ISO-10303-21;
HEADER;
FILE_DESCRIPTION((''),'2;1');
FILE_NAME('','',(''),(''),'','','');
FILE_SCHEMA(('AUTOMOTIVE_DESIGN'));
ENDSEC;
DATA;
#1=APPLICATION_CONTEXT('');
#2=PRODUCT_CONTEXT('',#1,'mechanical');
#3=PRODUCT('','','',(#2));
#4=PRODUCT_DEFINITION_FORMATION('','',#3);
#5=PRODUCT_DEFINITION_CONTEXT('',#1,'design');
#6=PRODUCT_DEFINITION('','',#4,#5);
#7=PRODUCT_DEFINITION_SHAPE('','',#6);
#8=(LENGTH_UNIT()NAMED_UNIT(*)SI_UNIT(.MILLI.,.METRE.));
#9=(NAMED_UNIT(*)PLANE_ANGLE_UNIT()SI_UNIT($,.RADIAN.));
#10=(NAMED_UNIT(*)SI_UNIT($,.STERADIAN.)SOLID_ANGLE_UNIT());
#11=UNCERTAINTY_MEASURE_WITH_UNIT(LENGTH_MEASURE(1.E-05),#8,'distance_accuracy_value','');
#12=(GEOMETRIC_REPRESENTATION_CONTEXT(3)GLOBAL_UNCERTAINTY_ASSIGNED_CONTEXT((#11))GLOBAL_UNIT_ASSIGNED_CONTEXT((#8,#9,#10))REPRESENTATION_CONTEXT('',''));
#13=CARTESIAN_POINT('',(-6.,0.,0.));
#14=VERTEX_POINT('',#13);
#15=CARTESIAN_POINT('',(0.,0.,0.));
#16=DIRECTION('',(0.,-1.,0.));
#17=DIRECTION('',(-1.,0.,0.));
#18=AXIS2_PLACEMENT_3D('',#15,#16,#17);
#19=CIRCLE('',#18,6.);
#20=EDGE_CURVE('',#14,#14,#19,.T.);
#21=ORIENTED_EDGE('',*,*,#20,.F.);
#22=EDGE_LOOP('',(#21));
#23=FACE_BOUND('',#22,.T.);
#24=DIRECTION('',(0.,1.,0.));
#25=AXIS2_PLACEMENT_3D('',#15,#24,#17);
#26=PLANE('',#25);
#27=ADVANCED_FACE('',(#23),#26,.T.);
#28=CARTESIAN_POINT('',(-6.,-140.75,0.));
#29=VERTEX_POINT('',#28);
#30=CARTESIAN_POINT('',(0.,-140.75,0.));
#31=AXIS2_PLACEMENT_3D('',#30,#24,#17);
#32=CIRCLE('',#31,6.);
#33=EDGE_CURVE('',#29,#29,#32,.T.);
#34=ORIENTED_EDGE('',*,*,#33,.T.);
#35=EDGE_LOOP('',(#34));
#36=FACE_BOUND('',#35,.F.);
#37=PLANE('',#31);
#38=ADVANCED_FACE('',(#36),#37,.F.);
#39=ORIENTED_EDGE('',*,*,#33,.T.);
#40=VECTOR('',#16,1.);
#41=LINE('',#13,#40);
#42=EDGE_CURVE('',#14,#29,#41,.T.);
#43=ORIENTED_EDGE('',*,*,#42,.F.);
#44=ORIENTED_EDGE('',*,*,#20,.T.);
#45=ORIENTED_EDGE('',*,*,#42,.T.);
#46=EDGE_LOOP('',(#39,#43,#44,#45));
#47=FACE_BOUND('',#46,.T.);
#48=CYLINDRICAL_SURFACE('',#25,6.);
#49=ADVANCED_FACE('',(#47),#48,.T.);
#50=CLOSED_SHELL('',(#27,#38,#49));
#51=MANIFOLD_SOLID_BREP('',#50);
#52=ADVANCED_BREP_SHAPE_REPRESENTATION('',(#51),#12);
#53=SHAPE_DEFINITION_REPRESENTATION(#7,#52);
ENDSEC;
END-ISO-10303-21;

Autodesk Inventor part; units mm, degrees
ref_plane "YZ Plane" through (0, 0, 0) normal (1, 0, 0) x (0, 1, 0)
ref_plane "XZ Plane" through (0, 0, 0) normal (0, 1, 0) x (-1, 0, 0)
ref_plane "XY Plane" through (0, 0, 0) normal (0, 0, 1) x (1, 0, 0)
sketch "Esquisse1" plane through (0, 0, 0) normal (0, 1, 0) x (-1, 0, 0)
  line L0 (0, -8.4) -> (0, 8.4) projected
  line L1 (8.4, 0) -> (-8.4, 0) projected
  circle A0 centre (0, 0) radius 6
  dimension "d0" = 12
extrude "Extrusion1" add sketch "Esquisse1" against normal blind 140.75
properties part number "Colossus_7kW_Shaft"
